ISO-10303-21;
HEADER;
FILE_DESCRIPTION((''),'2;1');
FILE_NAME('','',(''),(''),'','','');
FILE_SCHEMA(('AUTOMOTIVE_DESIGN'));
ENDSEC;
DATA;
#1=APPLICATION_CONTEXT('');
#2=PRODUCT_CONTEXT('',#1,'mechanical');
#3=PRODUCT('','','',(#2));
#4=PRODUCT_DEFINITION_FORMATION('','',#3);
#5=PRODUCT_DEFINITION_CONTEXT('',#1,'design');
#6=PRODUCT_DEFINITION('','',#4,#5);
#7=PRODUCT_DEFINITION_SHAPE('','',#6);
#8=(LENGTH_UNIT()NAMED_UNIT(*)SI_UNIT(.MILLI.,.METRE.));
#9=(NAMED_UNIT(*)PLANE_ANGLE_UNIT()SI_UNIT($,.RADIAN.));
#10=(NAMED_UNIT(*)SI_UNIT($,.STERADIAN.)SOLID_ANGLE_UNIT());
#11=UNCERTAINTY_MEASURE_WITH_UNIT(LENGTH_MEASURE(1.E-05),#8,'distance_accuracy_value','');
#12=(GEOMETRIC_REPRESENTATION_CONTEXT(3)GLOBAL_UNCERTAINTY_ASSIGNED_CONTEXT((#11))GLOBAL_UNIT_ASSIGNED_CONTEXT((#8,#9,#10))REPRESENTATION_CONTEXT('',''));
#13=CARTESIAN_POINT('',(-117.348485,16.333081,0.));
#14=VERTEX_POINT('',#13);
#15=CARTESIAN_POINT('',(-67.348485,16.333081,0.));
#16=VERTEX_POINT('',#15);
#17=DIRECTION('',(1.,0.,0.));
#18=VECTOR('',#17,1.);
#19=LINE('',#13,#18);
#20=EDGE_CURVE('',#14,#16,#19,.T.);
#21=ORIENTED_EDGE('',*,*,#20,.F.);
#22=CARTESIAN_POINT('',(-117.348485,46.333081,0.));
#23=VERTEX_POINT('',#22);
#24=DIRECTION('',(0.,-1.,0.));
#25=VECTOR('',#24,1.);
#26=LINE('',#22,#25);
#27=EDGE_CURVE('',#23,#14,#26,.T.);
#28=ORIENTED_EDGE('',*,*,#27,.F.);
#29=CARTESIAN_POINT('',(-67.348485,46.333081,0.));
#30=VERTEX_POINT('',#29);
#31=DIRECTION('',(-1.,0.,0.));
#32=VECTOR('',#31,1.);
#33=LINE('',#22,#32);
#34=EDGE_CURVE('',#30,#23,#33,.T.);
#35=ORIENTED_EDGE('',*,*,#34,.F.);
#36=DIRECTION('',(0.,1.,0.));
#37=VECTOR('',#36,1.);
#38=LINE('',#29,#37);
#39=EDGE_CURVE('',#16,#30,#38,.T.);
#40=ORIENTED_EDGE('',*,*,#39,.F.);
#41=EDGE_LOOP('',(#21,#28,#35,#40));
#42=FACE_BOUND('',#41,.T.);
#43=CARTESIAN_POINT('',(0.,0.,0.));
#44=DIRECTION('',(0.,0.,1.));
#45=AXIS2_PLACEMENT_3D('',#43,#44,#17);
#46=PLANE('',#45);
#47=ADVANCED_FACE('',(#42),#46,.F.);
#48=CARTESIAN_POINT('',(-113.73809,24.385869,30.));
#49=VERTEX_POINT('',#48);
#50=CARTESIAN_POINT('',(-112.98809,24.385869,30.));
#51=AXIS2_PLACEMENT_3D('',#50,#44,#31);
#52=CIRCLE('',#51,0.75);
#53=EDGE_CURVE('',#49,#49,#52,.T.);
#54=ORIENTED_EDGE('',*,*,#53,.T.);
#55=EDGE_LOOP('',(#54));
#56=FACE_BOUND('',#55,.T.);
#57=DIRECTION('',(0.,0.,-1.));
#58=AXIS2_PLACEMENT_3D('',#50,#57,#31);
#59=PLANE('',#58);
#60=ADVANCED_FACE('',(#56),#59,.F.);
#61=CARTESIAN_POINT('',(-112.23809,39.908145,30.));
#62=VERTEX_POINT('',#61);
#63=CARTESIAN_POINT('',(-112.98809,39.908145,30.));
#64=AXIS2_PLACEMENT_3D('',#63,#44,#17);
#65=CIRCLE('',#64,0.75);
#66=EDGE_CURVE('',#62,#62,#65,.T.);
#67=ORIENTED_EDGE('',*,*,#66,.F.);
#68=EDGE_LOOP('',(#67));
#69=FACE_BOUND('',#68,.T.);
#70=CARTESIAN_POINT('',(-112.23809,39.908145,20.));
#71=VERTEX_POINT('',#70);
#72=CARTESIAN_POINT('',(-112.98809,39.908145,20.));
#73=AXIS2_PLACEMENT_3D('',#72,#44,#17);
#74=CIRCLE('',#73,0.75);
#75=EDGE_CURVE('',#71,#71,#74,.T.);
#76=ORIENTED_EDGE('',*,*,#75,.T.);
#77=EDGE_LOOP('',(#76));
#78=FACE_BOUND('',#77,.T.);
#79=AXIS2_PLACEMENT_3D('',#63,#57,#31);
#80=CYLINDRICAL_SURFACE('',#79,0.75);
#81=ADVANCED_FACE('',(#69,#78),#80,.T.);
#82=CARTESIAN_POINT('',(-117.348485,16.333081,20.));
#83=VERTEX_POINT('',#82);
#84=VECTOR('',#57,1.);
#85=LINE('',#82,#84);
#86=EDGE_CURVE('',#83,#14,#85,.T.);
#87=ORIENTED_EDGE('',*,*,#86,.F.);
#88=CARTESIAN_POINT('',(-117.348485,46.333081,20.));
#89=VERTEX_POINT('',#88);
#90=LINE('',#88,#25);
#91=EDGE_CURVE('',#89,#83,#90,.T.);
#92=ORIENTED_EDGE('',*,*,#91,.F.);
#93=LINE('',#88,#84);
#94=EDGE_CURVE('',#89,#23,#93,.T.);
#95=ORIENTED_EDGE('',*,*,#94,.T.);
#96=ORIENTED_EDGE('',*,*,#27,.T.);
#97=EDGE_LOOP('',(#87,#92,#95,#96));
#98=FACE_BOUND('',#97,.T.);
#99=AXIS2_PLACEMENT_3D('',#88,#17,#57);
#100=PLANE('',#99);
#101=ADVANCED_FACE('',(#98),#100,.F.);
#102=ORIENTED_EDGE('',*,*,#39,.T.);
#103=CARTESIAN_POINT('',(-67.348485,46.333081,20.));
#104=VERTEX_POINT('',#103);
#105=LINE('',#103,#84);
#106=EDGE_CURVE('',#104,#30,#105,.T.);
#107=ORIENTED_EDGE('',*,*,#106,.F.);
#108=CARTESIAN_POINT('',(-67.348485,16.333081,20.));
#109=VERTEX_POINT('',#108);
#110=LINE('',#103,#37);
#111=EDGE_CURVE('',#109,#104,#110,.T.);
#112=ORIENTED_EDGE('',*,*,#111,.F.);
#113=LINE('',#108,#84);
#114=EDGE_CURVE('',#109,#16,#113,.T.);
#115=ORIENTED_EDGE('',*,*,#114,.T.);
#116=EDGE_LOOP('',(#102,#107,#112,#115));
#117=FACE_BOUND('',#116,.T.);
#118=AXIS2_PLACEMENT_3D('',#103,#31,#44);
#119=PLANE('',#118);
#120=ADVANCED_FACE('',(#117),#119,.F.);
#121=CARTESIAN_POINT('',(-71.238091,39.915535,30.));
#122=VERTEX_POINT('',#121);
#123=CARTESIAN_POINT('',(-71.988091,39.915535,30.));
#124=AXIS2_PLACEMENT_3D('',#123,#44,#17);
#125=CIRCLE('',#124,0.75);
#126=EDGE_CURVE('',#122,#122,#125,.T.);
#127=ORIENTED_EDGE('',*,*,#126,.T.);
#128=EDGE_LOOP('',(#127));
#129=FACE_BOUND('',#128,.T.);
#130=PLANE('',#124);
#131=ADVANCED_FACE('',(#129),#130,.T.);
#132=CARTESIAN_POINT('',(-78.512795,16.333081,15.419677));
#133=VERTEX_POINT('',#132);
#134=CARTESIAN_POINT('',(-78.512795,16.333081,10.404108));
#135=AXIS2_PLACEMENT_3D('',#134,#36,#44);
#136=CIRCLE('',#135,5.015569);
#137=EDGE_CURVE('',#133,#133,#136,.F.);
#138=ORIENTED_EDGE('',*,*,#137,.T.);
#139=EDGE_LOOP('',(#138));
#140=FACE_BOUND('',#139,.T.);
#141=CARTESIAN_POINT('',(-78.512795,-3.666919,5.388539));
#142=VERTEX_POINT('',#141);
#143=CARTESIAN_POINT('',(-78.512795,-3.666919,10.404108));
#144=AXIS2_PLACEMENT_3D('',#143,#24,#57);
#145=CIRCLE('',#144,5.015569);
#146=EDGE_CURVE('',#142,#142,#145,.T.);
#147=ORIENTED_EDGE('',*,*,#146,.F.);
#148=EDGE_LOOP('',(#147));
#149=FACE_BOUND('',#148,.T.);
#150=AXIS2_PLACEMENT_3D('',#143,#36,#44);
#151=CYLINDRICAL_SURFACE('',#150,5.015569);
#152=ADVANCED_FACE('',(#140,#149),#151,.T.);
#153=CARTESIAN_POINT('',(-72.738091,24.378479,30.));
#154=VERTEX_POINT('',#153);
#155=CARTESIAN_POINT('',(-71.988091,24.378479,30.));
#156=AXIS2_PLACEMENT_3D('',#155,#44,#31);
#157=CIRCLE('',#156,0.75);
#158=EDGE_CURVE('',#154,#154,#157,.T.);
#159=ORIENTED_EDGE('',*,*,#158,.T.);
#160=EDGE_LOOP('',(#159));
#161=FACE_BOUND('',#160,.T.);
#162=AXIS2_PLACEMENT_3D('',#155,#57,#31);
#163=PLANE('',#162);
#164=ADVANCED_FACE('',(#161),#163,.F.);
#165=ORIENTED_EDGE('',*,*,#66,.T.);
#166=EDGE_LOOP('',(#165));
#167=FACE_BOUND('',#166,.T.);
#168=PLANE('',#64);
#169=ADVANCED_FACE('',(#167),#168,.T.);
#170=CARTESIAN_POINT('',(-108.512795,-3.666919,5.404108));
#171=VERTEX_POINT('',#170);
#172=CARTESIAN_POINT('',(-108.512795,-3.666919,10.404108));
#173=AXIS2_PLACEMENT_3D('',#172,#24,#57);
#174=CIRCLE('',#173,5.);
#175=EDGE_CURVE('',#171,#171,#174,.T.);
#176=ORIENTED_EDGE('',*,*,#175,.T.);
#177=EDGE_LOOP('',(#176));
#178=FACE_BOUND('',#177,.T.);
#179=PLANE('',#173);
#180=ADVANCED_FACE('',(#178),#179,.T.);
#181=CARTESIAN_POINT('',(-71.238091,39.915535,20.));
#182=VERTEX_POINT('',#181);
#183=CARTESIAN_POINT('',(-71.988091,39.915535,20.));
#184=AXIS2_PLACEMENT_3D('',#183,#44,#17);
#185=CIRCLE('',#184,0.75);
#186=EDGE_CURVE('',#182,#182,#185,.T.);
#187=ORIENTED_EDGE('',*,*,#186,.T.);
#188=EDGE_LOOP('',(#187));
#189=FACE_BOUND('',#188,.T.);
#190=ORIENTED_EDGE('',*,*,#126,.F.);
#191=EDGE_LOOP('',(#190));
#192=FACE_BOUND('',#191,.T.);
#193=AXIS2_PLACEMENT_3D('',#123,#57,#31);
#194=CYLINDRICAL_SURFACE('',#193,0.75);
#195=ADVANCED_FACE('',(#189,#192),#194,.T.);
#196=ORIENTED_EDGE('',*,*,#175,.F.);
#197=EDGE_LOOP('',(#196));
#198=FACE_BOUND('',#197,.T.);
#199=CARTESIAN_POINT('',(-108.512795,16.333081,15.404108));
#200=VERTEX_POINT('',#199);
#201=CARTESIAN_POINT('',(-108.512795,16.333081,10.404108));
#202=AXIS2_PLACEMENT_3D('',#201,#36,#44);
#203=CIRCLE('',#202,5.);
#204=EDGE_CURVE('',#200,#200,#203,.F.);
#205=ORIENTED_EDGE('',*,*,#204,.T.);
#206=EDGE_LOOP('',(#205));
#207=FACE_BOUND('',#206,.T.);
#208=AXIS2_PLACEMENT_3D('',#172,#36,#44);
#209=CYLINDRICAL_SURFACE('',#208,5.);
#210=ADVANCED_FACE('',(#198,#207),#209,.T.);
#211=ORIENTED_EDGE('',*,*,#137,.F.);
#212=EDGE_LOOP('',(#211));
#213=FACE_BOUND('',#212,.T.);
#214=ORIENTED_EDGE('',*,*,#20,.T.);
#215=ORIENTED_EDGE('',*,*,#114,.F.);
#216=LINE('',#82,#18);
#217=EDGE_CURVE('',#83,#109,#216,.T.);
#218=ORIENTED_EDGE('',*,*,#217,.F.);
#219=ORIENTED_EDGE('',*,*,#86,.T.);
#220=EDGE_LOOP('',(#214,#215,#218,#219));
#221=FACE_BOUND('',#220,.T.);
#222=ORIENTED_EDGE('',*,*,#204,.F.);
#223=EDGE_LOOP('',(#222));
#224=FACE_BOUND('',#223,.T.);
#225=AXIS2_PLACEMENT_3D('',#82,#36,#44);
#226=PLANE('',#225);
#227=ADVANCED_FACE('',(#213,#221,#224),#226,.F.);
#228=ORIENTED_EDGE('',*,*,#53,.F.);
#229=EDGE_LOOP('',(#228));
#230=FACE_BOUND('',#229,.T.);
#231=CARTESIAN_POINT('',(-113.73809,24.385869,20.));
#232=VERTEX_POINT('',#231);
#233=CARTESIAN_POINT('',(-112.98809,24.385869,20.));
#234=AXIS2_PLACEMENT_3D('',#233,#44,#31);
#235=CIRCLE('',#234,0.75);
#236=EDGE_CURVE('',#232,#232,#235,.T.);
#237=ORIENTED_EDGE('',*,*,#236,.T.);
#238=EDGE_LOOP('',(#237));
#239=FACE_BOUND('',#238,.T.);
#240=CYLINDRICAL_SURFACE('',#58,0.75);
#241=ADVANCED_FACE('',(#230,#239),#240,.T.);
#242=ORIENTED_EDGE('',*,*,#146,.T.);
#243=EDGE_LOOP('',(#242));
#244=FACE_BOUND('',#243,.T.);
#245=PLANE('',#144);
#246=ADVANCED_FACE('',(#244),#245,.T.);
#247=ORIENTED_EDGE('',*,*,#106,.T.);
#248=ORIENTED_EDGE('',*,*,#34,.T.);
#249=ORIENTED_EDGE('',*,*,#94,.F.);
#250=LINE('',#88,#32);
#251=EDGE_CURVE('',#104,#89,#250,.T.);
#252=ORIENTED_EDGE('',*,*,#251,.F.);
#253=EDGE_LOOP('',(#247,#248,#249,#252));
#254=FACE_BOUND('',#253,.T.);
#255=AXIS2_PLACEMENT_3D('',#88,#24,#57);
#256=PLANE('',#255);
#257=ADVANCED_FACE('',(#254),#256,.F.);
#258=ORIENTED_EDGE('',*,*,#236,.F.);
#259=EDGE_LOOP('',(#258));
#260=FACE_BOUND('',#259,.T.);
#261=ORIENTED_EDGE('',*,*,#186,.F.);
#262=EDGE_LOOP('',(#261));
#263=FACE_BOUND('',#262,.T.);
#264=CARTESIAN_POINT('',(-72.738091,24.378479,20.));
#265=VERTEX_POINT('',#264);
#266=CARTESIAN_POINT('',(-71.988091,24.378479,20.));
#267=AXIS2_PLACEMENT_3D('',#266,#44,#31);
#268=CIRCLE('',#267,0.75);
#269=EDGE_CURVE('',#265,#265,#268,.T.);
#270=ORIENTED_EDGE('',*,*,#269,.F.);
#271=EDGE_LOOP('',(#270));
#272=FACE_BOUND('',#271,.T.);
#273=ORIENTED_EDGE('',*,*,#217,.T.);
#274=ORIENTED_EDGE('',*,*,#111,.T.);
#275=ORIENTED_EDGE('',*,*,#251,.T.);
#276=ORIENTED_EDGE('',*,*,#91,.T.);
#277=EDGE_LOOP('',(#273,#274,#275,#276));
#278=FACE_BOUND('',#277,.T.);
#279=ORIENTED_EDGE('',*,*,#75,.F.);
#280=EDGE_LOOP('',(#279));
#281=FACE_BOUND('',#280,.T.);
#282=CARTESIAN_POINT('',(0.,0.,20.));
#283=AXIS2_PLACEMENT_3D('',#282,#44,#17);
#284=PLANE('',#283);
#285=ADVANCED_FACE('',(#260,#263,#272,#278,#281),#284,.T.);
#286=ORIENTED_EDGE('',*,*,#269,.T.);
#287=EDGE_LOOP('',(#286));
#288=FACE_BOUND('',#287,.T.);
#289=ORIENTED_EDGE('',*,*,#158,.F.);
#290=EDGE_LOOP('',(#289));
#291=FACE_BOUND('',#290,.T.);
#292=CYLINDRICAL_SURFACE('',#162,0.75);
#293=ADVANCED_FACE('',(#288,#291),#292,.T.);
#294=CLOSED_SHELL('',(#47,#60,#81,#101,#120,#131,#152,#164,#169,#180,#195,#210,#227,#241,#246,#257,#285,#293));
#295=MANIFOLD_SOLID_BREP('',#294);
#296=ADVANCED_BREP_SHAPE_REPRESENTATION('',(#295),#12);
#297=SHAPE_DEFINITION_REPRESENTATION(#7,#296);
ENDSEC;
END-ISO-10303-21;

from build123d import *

# Parameters (mm, degrees)
SKETCH1_W           = 50
SKETCH1_H           = 30
BOSS_EXTRUDE1_DEPTH = 20
SKETCH2_R           = 5
SKETCH2_R_2         = 5.015568952
BOSS_EXTRUDE3_DEPTH = 20
SKETCH3_R           = 0.75
BOSS_EXTRUDE4_DEPTH = 10


with BuildPart() as part:
    # Sketch1 → Boss-Extrude1 (new body)
    with BuildSketch(Plane.XY):
        with Locations((-92.348484848, 31.333080808)):
            Rectangle(SKETCH1_W, SKETCH1_H)
    extrude(amount=BOSS_EXTRUDE1_DEPTH)

    # Sketch2 → Boss-Extrude3 (add)
    with BuildSketch(Plane.XZ.offset(-16.333080808)):
        with Locations(Location((-108.512795062, 10.404107755, 0), (0, 0, 90))):
            Circle(SKETCH2_R)
        with Locations(Location((-78.512795062, 10.404107755, 0), (0, 0, 90))):
            Circle(SKETCH2_R_2)
    extrude(amount=BOSS_EXTRUDE3_DEPTH)

    # Sketch3 → Boss-Extrude4 (add)
    with BuildSketch(Plane.XY.offset(20)):
        with Locations((-112.98809036, 39.90814541)):
            Circle(SKETCH3_R)
        with Locations((-71.988091026, 39.915535227)):
            Circle(SKETCH3_R)
        with Locations(Location((-71.988091026, 24.378479398, 0), (0, 0, 180))):
            Circle(SKETCH3_R)
        with Locations(Location((-112.98809036, 24.385869214, 0), (0, 0, 180))):
            Circle(SKETCH3_R)
    extrude(amount=BOSS_EXTRUDE4_DEPTH)


solid = part.part
